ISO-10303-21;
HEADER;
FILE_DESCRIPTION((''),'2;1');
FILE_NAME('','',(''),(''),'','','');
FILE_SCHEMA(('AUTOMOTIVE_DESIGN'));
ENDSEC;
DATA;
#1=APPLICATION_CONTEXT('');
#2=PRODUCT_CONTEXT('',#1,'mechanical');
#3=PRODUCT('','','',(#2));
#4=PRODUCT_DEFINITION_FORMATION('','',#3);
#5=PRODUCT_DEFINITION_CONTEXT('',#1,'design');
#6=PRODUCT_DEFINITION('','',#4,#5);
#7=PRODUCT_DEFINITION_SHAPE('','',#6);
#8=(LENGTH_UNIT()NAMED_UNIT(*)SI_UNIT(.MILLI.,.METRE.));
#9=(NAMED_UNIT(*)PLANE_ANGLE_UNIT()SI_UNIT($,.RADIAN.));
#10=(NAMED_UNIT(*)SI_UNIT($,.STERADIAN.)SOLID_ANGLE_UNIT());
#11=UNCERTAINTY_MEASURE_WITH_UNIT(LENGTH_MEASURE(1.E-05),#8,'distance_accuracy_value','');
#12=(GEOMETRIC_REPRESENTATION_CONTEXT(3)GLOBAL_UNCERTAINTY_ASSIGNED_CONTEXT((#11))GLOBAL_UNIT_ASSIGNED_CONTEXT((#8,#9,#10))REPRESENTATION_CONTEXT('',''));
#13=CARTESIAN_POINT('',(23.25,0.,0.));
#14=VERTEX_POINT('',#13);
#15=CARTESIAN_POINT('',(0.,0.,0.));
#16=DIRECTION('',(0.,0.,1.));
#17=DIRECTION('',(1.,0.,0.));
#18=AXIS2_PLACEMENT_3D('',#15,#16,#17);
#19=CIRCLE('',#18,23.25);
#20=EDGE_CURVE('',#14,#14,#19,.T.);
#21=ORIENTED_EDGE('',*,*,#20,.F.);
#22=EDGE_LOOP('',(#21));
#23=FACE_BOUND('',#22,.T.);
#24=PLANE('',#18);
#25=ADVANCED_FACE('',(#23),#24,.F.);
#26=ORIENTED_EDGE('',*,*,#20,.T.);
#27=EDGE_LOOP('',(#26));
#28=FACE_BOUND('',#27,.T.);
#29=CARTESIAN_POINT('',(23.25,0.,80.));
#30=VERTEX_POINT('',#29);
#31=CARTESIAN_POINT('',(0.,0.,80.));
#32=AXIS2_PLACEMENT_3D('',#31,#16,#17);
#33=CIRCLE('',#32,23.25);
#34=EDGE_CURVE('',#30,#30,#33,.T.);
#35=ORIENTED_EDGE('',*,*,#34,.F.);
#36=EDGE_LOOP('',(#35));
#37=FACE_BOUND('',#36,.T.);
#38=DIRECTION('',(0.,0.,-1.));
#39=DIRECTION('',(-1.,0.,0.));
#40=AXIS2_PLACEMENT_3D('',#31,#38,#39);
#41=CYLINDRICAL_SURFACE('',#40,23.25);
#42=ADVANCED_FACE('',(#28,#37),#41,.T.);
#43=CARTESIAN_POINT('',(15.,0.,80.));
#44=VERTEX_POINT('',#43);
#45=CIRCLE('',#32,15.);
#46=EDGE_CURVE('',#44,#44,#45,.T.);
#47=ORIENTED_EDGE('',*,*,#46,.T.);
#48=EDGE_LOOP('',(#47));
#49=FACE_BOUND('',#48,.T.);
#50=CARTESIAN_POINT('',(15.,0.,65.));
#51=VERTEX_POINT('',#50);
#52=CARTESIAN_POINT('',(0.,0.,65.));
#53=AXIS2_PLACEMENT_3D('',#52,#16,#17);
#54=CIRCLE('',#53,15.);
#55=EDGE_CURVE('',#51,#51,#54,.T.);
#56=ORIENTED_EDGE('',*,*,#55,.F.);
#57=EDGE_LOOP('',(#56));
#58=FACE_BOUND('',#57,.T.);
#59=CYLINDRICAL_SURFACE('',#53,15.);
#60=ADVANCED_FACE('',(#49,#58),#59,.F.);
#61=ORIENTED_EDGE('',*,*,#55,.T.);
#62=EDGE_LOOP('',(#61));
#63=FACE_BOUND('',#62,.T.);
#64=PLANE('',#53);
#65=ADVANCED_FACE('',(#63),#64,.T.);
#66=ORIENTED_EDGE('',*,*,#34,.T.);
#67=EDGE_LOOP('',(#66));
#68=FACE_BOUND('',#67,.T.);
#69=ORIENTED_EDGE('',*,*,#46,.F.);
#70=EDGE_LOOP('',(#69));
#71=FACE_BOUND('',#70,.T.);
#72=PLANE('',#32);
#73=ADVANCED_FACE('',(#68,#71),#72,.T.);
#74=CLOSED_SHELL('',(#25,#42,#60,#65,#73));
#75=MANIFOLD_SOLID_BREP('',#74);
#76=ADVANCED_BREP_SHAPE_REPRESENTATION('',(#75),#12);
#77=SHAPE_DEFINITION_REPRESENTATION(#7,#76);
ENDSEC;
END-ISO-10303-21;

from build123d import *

# Parameters (mm, degrees)
SKETCH1_R           = 23.25
BOSS_EXTRUDE1_DEPTH = 80
SKETCH2_R           = 15
CUT_EXTRUDE4_DEPTH  = 15


with BuildPart() as part:
    # Sketch1 → Boss-Extrude1 (new body)
    with BuildSketch(Plane.XY):
        Circle(SKETCH1_R)
    extrude(amount=BOSS_EXTRUDE1_DEPTH)

    # Sketch2 → Cut-Extrude4 (cut)
    with BuildSketch(Plane.XY.offset(80)):
        Circle(SKETCH2_R)
    extrude(amount=-CUT_EXTRUDE4_DEPTH, mode=Mode.SUBTRACT)


solid = part.part
